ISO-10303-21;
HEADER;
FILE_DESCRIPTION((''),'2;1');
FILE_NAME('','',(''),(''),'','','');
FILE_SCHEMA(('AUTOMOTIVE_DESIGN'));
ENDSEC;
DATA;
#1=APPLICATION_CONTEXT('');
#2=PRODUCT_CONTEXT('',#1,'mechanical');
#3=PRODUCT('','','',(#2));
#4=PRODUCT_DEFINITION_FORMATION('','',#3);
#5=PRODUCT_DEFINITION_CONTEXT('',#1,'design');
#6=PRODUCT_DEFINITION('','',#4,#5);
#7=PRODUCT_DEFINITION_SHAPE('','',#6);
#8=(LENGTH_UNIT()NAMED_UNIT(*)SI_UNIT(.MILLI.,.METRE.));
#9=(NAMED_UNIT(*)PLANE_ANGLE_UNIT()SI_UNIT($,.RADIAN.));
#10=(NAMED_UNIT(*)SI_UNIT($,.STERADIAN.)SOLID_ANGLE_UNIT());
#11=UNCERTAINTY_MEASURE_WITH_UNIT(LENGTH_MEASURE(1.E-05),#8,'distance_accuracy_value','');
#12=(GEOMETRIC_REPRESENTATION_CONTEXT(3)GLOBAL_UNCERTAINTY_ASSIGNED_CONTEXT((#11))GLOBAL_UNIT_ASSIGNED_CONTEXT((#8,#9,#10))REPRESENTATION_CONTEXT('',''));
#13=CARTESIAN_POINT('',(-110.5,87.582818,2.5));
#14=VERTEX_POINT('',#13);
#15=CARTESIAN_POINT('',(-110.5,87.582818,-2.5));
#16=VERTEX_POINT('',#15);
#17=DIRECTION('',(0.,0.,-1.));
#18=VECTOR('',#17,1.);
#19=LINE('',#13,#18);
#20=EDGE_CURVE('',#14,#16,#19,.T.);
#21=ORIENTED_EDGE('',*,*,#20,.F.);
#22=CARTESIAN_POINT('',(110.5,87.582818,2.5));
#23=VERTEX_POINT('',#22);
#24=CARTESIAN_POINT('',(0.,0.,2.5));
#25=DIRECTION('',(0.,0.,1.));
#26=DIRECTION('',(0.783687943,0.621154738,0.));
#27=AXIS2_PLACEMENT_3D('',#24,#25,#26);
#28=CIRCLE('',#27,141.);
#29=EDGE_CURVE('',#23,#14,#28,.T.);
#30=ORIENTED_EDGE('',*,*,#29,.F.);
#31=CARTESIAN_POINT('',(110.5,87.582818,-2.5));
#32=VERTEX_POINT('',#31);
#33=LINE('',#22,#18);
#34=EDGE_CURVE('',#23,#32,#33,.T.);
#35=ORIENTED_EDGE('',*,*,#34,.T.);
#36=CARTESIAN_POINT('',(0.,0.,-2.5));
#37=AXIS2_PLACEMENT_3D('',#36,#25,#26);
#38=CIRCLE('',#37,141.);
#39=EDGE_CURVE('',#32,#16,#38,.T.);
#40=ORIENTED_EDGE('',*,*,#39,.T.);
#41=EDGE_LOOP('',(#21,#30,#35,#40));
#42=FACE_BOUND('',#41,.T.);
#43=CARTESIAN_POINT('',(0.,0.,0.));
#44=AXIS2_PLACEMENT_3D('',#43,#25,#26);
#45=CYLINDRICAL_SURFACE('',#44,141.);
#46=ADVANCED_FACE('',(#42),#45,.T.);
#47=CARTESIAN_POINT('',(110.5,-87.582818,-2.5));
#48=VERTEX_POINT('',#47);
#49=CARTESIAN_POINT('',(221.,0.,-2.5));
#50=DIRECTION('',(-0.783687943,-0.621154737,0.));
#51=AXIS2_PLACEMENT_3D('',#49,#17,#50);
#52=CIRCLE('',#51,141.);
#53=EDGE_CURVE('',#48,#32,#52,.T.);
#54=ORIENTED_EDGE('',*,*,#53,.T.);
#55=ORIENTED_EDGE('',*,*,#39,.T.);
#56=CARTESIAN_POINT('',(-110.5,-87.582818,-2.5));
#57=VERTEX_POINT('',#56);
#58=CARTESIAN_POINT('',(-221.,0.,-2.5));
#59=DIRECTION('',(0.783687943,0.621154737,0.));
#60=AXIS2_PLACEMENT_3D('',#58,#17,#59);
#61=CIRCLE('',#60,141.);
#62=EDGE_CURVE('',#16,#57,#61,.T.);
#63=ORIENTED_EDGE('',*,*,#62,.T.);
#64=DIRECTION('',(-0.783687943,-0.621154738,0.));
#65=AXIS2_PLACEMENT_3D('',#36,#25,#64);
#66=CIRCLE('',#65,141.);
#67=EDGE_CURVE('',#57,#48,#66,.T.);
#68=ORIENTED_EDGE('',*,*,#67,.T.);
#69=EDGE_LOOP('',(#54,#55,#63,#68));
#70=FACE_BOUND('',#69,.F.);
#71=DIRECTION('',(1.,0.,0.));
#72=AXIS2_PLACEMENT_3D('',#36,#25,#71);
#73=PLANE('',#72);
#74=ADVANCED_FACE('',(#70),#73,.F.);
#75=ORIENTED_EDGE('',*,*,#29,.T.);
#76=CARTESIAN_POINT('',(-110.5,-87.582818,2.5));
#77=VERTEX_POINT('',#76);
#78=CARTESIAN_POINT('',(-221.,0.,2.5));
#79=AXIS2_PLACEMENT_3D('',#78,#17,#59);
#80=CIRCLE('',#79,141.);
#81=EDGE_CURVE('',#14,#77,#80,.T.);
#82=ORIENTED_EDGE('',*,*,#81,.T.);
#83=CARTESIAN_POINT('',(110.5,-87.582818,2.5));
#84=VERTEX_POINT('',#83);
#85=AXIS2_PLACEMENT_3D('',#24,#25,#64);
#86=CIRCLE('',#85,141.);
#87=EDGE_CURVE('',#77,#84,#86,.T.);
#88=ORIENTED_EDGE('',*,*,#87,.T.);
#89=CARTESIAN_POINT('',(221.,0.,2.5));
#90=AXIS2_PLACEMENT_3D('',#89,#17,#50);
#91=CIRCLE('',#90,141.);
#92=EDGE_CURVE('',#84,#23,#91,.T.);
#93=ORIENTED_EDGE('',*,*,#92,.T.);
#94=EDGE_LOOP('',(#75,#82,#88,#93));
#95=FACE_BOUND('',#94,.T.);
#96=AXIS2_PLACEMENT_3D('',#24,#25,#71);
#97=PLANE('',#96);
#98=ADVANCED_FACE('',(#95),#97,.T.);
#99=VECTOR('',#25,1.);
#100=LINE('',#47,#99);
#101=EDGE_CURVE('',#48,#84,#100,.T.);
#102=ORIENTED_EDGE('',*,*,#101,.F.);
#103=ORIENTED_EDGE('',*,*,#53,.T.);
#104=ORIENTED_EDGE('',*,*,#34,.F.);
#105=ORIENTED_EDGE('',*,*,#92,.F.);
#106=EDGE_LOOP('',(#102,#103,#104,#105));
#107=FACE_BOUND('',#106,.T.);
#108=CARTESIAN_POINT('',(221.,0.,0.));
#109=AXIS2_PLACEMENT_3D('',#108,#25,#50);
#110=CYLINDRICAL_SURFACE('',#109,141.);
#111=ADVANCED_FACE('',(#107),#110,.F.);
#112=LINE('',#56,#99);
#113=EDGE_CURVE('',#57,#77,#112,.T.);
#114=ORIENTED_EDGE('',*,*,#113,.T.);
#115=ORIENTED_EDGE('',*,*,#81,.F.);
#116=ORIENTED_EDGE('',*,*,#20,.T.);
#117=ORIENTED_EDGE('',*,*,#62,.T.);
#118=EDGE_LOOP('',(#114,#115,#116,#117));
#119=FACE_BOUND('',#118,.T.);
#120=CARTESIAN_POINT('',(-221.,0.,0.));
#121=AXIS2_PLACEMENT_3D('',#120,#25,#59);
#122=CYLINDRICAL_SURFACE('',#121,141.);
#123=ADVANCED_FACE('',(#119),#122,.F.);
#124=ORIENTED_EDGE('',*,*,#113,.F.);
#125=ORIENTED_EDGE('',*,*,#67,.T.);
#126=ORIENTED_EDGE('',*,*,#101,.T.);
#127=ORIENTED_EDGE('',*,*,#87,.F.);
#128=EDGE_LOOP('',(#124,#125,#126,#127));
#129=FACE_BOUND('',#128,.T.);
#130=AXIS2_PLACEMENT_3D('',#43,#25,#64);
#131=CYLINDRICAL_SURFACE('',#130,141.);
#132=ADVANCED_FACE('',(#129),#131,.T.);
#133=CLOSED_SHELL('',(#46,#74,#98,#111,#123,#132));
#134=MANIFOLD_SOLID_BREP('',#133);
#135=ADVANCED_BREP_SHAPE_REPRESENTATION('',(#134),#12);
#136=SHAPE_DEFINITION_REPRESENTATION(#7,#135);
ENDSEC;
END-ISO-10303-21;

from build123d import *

# Parameters (mm, degrees)
F1_DEPTH      = 2.5
F1_DEPTH_BACK = 2.5


with BuildPart() as f1:
    # F0 (on Top) → F1 (new body, two sides)
    with BuildSketch(Plane.XY) as f1_sk:
        with BuildLine():
            ThreePointArc((-110.5, 87.582818), (-80, 0), (-110.5, -87.582818))
            ThreePointArc((-110.5, -87.582818), (0, -141), (110.5, -87.582818))
            ThreePointArc((110.5, -87.582818), (80, 0), (110.5, 87.582818))
            ThreePointArc((110.5, 87.582818), (0, 141), (-110.5, 87.582818))
        make_face()
    extrude(amount=F1_DEPTH)
    extrude(f1_sk.sketch, amount=-F1_DEPTH_BACK)


solid = f1.part
